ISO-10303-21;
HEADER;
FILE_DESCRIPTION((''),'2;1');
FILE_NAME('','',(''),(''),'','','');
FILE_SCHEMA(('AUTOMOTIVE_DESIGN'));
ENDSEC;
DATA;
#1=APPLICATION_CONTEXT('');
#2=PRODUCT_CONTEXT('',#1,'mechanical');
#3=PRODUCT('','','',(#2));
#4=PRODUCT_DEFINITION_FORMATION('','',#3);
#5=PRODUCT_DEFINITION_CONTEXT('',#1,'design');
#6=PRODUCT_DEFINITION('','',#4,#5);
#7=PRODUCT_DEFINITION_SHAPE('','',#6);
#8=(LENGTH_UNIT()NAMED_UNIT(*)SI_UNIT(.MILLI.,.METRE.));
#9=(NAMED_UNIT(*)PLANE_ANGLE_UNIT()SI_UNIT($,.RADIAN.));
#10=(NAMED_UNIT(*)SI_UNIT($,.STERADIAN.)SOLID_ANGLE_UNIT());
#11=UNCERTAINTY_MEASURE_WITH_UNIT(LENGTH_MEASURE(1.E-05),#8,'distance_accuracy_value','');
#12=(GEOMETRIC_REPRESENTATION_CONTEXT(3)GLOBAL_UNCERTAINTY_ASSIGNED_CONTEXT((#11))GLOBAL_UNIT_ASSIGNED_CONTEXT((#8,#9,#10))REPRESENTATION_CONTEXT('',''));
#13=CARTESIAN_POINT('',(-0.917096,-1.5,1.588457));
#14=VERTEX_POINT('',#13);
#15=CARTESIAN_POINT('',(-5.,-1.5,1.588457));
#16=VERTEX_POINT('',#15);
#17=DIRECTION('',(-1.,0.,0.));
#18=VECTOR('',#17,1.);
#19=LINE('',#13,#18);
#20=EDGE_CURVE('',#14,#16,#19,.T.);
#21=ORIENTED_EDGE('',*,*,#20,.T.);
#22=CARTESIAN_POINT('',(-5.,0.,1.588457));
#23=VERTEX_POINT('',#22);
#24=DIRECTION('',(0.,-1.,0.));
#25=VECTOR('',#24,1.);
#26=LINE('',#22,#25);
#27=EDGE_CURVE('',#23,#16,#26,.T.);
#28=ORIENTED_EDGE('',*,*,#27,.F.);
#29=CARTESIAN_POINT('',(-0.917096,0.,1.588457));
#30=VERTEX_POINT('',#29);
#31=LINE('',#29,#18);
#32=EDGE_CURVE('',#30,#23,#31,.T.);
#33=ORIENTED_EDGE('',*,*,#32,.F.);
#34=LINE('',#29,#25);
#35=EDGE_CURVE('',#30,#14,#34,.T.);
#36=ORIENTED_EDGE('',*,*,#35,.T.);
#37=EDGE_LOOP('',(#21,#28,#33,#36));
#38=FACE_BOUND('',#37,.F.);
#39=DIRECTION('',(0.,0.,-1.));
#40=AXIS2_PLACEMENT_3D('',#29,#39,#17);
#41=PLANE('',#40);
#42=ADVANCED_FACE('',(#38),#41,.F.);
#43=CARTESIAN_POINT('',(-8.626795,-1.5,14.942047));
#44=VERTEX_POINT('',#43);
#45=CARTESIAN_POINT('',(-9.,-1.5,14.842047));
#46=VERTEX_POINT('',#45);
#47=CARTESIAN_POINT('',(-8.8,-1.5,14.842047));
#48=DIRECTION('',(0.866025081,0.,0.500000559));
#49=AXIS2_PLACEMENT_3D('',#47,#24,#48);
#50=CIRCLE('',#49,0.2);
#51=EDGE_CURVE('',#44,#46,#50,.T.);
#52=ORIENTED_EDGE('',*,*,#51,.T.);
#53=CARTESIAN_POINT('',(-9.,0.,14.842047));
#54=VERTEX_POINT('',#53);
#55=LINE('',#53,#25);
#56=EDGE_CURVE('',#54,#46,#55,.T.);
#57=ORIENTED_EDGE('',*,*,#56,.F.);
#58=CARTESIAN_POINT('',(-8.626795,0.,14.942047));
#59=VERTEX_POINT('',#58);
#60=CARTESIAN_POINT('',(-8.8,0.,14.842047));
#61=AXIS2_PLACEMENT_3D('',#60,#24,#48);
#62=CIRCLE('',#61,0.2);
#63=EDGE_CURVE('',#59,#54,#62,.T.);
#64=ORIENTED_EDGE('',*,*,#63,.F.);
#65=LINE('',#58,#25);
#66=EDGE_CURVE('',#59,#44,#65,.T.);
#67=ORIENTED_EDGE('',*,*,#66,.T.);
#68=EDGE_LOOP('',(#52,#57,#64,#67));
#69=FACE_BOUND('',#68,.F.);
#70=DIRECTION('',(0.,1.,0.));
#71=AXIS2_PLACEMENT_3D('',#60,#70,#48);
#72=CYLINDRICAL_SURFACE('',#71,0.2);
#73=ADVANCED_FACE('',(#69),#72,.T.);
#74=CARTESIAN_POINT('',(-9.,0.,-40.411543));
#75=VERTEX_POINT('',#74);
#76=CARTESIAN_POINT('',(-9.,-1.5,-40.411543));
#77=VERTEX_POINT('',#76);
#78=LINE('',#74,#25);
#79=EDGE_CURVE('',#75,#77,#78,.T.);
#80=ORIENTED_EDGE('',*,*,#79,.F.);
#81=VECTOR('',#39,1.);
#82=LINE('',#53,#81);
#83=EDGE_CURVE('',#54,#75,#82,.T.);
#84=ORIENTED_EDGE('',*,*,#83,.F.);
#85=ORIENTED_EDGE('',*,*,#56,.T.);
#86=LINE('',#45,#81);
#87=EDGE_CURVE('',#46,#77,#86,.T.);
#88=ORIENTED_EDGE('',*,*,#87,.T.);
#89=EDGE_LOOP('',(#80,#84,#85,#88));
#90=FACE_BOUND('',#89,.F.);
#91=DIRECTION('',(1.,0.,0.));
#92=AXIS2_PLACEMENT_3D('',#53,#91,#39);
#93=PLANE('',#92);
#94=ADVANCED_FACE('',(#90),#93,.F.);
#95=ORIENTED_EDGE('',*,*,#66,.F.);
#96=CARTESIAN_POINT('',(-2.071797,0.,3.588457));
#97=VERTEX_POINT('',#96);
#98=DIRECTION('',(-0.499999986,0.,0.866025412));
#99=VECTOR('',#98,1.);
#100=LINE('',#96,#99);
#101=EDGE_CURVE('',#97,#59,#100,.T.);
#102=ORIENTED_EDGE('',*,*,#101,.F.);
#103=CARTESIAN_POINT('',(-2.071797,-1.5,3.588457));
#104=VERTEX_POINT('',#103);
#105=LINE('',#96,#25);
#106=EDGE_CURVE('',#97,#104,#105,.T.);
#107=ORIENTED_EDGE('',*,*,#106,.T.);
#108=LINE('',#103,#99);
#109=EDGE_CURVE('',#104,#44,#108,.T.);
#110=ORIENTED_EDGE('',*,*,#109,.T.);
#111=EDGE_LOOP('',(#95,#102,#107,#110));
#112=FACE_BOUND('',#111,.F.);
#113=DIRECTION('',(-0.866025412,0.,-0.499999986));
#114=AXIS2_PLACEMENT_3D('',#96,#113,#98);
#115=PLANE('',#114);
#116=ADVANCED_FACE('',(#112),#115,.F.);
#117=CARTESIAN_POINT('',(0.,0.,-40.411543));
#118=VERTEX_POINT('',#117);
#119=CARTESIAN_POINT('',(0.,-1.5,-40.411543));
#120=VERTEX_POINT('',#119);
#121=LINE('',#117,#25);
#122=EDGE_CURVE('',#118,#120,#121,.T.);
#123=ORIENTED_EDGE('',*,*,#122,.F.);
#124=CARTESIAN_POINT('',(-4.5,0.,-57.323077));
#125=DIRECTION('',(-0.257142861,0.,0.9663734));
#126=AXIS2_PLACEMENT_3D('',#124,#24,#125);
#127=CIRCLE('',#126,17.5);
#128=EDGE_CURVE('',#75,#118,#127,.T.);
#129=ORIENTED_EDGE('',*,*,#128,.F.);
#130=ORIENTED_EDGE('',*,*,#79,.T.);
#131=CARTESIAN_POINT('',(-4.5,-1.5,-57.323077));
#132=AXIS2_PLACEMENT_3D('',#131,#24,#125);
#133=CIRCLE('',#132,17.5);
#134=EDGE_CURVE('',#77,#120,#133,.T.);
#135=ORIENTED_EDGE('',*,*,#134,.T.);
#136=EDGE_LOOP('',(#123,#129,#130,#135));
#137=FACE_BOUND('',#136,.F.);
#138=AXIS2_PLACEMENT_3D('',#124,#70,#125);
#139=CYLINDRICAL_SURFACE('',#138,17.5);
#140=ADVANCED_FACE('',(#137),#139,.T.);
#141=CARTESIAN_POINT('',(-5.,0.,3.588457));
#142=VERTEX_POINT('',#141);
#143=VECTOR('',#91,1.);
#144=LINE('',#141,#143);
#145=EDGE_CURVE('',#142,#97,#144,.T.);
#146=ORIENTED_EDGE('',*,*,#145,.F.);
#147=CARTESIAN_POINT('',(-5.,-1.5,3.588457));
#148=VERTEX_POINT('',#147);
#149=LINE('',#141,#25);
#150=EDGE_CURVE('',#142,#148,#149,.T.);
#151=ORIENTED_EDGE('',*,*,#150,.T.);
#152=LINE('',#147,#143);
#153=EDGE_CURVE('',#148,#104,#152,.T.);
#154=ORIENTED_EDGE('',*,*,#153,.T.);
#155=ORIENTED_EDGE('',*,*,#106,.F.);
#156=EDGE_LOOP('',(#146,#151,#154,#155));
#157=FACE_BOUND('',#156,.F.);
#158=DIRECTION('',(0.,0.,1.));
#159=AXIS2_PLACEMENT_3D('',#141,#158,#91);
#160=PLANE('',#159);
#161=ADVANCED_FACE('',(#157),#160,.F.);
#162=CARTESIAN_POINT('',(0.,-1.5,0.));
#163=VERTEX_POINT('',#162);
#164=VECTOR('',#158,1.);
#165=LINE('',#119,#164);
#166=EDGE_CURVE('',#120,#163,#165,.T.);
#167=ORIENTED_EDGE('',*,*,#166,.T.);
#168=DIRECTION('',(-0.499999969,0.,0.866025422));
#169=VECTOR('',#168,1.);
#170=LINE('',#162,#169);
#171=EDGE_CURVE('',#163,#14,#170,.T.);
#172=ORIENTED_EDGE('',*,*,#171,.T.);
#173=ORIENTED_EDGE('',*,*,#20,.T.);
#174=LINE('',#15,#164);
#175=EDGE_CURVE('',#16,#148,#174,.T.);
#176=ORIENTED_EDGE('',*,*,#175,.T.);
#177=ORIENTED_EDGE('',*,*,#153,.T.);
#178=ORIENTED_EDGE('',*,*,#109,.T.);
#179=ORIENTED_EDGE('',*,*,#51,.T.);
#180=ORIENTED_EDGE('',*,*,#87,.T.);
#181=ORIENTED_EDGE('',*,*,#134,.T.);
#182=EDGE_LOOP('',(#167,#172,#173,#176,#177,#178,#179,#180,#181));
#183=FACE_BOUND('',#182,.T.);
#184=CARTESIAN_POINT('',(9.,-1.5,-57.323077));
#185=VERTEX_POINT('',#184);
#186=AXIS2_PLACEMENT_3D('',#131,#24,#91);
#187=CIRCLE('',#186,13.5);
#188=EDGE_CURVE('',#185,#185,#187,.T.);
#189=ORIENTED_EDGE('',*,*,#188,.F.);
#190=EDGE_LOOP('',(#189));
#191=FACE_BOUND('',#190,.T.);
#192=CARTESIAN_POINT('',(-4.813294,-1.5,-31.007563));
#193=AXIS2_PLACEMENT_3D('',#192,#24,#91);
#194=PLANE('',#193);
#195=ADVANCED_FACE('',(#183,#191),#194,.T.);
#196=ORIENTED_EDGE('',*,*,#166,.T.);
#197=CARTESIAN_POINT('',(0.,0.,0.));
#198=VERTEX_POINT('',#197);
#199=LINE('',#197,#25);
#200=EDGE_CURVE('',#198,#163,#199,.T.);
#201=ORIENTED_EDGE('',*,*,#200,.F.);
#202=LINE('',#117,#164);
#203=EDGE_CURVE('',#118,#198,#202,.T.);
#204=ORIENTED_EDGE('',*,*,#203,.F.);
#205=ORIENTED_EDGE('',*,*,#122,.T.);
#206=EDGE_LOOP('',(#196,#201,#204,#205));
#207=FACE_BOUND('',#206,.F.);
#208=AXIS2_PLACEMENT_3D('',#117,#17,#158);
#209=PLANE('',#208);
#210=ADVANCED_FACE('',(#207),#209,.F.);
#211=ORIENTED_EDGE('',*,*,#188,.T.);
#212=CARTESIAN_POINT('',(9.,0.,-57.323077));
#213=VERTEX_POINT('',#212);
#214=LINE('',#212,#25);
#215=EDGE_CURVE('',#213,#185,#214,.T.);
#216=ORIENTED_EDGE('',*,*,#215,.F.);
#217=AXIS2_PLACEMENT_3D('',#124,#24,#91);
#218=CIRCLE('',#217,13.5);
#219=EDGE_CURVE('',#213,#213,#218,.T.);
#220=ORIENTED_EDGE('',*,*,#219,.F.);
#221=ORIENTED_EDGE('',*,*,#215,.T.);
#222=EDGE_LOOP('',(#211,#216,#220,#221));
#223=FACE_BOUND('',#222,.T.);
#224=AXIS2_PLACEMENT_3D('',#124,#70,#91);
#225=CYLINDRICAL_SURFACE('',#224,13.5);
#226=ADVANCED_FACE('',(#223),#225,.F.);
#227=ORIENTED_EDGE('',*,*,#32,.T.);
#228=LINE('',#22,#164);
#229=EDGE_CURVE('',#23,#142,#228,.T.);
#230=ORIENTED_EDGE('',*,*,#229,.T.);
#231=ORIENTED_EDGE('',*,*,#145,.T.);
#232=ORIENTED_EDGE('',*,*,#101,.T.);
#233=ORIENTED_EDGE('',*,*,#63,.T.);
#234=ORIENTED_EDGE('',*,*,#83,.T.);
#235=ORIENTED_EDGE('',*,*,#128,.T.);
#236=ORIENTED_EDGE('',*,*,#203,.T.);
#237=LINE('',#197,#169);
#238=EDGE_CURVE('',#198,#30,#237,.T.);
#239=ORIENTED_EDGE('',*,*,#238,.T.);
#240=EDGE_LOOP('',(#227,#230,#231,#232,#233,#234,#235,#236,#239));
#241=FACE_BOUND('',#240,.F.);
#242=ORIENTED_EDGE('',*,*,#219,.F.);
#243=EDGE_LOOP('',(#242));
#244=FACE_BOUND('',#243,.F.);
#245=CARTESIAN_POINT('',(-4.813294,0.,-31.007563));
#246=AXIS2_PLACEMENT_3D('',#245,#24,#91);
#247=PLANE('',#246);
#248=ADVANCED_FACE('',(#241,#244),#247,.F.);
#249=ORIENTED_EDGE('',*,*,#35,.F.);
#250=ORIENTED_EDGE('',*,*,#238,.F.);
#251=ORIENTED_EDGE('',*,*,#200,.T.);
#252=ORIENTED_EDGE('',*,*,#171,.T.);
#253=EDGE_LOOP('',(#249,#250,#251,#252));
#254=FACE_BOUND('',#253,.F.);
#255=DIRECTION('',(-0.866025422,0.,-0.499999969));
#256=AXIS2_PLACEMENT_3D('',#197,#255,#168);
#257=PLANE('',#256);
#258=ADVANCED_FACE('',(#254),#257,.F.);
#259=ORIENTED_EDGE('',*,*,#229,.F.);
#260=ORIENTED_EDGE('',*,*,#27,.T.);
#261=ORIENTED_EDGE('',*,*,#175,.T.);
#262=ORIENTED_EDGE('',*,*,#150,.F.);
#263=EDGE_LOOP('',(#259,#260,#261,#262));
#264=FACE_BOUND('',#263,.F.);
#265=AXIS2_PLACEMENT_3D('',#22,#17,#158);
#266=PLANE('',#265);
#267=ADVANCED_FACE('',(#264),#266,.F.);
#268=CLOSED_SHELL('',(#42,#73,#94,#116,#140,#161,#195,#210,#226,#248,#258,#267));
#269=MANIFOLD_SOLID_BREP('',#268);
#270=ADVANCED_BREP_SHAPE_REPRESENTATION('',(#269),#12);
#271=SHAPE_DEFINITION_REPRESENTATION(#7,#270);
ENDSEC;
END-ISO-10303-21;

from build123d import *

# Parameters (mm, degrees)
F0_R     = 13.5
F1_DEPTH = 1.5


with BuildPart() as f1:
    # F0 (on Front) → F1 (new body)
    with BuildSketch(Plane.XZ):
        with BuildLine():
            Line((-2.071797, 3.588457), (-8.626795, 14.942047))
            ThreePointArc((-8.626795, 14.942047), (-8.851764, 15.035232), (-9, 14.842047))
            Line((-9, 14.842047), (-9, -40.411543))
            ThreePointArc((-9, -40.411543), (-4.5, -74.823077), (0, -40.411543))
            Line((0, -40.411543), (0, 0))
            Line((0, 0), (-0.917096, 1.588457))
            Line((-0.917096, 1.588457), (-5, 1.588457))
            Line((-5, 1.588457), (-5, 3.588457))
            Line((-5, 3.588457), (-2.071797, 3.588457))
        make_face()
        with Locations((-4.5, -57.323077)):
            Circle(F0_R, mode=Mode.SUBTRACT)
    extrude(amount=F1_DEPTH)


solid = f1.part
